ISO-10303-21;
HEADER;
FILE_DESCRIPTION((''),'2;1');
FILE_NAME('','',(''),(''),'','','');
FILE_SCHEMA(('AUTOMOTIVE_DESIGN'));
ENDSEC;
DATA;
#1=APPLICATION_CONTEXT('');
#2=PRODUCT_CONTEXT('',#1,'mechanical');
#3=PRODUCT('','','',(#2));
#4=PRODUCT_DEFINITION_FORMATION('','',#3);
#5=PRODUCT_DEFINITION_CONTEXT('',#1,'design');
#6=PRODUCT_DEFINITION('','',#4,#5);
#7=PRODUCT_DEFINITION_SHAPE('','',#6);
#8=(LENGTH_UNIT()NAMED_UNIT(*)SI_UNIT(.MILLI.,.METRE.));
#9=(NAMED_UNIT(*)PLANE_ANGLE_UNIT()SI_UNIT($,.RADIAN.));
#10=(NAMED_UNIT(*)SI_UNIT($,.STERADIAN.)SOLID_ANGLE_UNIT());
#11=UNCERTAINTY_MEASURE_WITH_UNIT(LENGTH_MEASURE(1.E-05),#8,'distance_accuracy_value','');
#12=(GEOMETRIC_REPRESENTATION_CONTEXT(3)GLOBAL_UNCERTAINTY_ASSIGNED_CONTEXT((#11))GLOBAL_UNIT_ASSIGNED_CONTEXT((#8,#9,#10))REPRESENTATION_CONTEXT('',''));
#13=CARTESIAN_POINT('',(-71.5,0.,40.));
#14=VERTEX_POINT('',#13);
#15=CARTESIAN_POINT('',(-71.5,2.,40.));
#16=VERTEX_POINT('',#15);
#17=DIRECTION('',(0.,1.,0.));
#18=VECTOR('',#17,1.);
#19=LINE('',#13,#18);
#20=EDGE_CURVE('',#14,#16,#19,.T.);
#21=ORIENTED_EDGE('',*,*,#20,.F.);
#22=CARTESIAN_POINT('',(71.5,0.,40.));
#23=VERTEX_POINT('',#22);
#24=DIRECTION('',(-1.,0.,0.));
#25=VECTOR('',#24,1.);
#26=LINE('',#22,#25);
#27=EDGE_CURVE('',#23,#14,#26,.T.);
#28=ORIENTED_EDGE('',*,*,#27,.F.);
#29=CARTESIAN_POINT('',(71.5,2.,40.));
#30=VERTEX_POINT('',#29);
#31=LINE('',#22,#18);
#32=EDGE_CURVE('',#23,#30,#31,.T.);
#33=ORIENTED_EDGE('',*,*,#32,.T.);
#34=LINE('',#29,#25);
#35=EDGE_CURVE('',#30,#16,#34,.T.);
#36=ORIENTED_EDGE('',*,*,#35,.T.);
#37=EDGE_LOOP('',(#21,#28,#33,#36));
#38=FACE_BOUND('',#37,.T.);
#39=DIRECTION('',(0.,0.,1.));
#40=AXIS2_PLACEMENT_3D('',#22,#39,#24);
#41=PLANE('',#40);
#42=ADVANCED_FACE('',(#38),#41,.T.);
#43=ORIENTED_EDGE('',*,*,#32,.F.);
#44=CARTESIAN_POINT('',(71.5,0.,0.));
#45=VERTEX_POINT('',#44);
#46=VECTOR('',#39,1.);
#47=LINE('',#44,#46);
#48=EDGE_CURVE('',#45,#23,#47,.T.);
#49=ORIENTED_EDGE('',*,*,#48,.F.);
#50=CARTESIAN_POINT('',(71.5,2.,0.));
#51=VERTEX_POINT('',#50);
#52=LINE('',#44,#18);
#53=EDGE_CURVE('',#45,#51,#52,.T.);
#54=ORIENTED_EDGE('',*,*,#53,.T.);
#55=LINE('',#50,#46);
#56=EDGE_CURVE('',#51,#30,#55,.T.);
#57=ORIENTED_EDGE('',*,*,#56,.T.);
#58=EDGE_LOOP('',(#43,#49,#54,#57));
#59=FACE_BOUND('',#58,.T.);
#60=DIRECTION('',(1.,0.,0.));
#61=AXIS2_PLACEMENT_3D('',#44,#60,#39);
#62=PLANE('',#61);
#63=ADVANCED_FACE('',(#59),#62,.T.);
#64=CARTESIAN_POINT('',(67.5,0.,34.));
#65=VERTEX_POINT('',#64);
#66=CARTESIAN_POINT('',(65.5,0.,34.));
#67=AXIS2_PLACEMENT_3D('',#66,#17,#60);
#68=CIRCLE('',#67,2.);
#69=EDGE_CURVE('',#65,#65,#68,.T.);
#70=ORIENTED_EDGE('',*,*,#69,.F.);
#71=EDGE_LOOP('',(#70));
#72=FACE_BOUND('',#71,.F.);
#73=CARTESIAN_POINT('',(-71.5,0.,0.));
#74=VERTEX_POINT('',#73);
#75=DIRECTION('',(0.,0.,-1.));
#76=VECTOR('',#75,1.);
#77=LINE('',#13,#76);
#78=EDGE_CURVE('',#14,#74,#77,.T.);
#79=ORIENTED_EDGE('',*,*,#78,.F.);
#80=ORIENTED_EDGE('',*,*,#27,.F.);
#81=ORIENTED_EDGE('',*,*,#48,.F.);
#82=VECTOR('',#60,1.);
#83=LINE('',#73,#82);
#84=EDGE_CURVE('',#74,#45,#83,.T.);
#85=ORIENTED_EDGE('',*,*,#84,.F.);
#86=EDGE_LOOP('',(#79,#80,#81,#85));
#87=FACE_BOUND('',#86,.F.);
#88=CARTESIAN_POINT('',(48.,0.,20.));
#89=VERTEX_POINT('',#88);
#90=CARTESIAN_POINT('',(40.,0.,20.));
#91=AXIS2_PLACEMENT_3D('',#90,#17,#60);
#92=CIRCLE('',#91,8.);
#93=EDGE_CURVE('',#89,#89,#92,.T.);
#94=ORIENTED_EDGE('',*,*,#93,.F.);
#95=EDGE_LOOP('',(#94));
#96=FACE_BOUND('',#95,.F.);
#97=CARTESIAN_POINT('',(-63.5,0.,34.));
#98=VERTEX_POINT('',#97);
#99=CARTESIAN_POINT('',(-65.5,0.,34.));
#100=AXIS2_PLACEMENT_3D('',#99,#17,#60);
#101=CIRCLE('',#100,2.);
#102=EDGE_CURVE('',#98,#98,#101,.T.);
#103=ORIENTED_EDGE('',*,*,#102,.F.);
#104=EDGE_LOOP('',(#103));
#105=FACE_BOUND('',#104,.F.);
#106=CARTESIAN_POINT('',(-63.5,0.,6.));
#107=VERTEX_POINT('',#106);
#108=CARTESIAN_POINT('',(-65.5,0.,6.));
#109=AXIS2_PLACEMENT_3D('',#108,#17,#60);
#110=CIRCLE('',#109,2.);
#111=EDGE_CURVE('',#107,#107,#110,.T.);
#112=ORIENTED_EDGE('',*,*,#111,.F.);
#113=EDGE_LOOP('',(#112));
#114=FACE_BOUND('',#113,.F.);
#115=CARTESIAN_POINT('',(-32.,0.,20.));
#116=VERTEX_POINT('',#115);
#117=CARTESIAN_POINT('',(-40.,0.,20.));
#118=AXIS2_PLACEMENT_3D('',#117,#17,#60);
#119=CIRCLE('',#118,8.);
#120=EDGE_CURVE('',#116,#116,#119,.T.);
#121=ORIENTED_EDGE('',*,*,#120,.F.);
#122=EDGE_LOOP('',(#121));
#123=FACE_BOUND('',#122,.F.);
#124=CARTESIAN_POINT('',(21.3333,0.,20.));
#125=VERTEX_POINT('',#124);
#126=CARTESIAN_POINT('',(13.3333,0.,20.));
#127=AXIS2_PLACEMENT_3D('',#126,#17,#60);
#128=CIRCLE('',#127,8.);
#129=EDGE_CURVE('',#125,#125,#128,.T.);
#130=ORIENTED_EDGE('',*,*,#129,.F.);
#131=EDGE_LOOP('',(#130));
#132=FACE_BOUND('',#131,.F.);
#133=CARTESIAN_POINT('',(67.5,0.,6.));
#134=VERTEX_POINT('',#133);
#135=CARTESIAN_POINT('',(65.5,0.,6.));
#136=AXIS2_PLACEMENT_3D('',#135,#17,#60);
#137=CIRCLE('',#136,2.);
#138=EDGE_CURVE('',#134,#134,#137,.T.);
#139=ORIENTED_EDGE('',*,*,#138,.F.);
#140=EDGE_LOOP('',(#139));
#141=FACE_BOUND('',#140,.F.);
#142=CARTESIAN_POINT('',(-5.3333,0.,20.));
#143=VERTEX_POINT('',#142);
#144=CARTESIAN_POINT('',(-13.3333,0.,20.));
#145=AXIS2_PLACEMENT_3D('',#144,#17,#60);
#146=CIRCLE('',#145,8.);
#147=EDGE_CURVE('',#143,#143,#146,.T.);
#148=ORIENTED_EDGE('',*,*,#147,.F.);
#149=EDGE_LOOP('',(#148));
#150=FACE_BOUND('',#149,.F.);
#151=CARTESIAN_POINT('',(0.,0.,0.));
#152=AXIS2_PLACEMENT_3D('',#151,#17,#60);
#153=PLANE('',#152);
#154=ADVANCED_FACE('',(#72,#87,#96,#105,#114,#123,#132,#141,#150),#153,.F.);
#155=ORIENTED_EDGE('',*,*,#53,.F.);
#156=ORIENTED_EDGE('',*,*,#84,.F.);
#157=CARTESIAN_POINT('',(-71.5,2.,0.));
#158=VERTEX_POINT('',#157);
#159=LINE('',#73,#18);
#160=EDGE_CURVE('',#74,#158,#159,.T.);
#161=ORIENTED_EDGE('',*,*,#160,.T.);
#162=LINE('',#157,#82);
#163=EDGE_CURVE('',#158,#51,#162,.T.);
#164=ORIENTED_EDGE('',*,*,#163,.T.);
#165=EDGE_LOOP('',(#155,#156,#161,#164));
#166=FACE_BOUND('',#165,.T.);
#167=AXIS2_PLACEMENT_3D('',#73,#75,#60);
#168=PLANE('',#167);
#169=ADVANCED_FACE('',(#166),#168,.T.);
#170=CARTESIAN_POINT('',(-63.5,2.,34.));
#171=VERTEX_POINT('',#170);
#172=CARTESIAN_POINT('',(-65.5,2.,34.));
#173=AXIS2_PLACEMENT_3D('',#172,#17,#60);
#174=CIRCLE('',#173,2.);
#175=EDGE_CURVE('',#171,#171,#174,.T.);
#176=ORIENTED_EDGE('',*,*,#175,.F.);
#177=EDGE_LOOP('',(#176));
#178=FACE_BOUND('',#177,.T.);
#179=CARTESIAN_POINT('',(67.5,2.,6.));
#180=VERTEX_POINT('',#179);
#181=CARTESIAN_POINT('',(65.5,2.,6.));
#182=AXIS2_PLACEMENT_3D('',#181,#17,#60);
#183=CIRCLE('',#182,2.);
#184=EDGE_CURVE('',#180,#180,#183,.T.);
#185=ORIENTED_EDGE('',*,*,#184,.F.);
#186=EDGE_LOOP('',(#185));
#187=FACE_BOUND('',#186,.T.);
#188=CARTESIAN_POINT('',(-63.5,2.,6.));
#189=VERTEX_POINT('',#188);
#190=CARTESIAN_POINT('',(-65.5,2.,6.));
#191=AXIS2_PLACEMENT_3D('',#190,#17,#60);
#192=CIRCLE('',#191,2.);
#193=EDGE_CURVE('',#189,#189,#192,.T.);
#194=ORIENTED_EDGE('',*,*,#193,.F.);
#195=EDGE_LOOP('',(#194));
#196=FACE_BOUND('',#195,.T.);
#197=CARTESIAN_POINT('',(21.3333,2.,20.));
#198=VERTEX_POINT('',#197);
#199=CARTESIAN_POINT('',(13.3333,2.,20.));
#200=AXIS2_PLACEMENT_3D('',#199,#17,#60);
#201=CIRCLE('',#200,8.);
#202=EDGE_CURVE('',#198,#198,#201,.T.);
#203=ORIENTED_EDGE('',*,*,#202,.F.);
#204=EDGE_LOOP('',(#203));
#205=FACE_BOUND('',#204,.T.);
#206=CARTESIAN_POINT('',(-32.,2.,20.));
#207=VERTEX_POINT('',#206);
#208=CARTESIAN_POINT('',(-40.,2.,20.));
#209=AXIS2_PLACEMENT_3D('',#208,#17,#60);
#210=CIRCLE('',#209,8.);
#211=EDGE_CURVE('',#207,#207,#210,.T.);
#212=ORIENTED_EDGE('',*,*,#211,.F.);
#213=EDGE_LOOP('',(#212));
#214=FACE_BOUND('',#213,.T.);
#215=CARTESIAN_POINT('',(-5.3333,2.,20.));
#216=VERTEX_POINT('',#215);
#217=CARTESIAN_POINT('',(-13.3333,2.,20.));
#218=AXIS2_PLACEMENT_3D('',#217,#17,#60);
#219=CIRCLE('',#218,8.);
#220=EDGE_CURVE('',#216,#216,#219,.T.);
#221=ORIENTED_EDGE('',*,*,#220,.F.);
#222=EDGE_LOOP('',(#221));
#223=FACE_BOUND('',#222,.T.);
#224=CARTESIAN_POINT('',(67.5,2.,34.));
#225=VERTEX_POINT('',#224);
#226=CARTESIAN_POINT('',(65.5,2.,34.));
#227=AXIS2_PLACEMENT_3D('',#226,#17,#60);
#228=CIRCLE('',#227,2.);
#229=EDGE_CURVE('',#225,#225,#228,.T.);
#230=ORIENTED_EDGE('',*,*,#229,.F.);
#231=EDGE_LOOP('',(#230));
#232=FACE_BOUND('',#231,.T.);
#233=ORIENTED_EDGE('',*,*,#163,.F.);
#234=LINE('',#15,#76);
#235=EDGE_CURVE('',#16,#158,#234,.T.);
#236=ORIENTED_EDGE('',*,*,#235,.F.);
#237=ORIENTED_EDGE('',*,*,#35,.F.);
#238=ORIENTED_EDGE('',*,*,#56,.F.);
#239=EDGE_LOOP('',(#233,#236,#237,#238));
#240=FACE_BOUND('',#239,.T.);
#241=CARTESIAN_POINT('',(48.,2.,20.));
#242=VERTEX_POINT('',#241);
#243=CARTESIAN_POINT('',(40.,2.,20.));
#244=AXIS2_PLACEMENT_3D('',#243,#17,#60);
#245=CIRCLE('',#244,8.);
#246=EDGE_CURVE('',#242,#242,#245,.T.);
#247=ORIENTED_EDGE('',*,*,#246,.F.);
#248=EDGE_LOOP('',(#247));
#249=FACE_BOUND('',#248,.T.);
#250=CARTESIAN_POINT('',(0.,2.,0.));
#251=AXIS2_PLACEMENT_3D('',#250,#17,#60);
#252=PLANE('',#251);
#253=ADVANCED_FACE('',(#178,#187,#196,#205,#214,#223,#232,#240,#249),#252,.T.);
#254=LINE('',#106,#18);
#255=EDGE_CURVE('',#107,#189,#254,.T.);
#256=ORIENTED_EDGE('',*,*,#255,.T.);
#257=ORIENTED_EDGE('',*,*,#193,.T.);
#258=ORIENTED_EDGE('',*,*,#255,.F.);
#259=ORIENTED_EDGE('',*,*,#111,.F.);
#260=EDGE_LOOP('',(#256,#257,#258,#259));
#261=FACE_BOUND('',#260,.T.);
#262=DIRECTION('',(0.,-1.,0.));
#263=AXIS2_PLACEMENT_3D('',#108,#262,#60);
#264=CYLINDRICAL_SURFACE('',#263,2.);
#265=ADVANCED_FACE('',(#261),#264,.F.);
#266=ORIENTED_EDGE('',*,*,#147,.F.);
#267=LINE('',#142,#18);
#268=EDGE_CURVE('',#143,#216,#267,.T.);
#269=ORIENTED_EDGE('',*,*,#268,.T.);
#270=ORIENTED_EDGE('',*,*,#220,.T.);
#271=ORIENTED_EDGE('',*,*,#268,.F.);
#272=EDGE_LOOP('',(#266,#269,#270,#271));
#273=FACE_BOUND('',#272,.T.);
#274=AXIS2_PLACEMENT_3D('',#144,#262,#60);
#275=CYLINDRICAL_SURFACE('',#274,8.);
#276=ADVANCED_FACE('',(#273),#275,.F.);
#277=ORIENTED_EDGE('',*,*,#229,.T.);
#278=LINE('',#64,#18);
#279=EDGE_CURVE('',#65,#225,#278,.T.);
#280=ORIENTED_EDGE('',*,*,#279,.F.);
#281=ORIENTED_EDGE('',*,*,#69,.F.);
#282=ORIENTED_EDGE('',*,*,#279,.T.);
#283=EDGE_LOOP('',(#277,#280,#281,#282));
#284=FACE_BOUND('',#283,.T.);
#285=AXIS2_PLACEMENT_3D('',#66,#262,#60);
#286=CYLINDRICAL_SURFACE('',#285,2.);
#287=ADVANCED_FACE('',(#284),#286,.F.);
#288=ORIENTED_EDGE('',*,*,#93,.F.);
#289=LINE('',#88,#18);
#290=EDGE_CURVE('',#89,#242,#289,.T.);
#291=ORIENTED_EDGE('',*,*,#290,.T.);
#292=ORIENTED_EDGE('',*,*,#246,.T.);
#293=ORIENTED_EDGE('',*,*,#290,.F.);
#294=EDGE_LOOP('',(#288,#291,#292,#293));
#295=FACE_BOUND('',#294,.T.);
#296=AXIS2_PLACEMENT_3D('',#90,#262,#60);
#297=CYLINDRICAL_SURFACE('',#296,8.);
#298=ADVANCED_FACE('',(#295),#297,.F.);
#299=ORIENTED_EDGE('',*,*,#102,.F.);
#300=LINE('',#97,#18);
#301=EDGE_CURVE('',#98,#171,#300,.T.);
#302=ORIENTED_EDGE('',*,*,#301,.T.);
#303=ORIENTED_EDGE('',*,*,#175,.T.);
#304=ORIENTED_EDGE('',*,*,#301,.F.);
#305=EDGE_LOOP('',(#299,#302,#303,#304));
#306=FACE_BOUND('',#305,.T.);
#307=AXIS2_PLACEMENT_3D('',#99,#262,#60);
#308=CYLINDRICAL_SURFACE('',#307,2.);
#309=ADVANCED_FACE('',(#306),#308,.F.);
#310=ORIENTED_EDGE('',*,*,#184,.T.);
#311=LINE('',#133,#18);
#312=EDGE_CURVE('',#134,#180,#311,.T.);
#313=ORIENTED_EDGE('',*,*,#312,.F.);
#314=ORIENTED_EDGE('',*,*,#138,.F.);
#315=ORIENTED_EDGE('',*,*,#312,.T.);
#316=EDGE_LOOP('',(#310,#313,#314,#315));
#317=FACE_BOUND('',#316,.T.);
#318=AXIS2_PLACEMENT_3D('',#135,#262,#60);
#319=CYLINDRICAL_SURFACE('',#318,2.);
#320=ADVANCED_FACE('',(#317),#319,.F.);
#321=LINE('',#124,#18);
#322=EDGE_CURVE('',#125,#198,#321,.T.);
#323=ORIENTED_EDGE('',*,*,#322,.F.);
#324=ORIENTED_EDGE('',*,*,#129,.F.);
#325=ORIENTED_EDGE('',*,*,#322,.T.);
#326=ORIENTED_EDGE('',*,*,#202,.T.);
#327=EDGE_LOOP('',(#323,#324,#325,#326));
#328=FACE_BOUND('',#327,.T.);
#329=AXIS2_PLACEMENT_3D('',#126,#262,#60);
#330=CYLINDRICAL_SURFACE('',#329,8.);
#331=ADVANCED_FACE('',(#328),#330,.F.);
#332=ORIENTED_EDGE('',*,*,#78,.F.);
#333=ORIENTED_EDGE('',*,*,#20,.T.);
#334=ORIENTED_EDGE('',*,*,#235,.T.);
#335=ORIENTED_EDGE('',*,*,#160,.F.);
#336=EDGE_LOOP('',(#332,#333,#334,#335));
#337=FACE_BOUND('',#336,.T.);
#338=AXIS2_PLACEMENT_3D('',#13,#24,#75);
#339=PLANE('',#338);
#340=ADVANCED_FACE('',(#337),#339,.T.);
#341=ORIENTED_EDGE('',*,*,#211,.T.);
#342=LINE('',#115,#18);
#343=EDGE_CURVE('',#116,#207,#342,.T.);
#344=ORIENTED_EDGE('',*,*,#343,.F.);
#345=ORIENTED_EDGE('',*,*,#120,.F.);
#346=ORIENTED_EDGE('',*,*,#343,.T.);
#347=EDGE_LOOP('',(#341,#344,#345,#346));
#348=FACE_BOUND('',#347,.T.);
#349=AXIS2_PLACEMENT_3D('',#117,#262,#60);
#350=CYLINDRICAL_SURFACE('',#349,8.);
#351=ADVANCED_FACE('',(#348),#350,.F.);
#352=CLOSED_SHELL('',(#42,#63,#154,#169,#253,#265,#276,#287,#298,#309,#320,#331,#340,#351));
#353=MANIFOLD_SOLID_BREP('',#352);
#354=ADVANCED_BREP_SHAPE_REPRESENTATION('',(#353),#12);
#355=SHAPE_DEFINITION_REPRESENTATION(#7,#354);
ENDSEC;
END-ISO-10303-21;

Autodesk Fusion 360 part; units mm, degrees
sketch "Sketch1" plane through (0, 0, 0) normal (0, 1, 0) x (1, 0, 0)
  line L0 (0, 0) -> (0, -50.0731) construction
  line L1 (-71.5, 0) -> (71.5, 0)
  line L2 (71.5, 0) -> (71.5, -40)
  line L3 (71.5, -40) -> (-71.5, -40)
  line L4 (-71.5, -40) -> (-71.5, 0)
  line L5 (-71.5, -20) -> (71.5, -20) construction
  line L6 (-65.5, -34) -> (65.5, -34) construction
  line L7 (65.5, -34) -> (65.5, -6) construction
  line L8 (65.5, -6) -> (-65.5, -6) construction
  line L9 (-65.5, -6) -> (-65.5, -34) construction
  circle A0 centre (-65.5, -34) radius 2
  circle A1 centre (65.5, -34) radius 2
  circle A2 centre (65.5, -6) radius 2
  circle A3 centre (-65.5, -6) radius 2
  circle A4 centre (13.3333, -20) radius 8
  circle A5 centre (40, -20) radius 8
  circle A6 centre (-13.3333, -20) radius 8
  circle A7 centre (-40, -20) radius 8
  dimension "d1" = 143
  dimension "d2" = 40
  dimension "d3" = 71.5
  dimension "d4" = 40
  dimension "d5" = 6
  dimension "d6" = 6
  dimension "d7" = 6
  dimension "d8" = 6
  dimension "d9" = 4
  dimension "d10" = 4
  dimension "d11" = 4
  dimension "d12" = 4
  dimension "d15" = 16
  dimension "d16" = 16
  dimension "d17" = 16
  dimension "d18" = 16
  dimension "d19" = 26.6667
  dimension "d20" = 26.6667
  dimension "d21" = 26.6667
  dimension "d22" = 13.3333
extrude "Extrude1" add sketch "Sketch1" along normal blind 2
equation "d3 = d1 / 2"
equation "d4 = d2"
equation "d6 = d5"
equation "d8 = d7"
equation "d10 = d9"
equation "d11 = d9"
equation "d12 = d9"
equation "HoleSpread = 80 mm"
equation "HoleDia = 16 mm"
equation "d15 = HoleDia"
equation "d16 = HoleDia"
equation "d17 = HoleDia"
equation "d18 = HoleDia"
equation "d19 = HoleSpread / 3"
equation "d20 = HoleSpread / 3"
equation "d21 = HoleSpread / 3"
equation "d22 = HoleSpread / 6"
